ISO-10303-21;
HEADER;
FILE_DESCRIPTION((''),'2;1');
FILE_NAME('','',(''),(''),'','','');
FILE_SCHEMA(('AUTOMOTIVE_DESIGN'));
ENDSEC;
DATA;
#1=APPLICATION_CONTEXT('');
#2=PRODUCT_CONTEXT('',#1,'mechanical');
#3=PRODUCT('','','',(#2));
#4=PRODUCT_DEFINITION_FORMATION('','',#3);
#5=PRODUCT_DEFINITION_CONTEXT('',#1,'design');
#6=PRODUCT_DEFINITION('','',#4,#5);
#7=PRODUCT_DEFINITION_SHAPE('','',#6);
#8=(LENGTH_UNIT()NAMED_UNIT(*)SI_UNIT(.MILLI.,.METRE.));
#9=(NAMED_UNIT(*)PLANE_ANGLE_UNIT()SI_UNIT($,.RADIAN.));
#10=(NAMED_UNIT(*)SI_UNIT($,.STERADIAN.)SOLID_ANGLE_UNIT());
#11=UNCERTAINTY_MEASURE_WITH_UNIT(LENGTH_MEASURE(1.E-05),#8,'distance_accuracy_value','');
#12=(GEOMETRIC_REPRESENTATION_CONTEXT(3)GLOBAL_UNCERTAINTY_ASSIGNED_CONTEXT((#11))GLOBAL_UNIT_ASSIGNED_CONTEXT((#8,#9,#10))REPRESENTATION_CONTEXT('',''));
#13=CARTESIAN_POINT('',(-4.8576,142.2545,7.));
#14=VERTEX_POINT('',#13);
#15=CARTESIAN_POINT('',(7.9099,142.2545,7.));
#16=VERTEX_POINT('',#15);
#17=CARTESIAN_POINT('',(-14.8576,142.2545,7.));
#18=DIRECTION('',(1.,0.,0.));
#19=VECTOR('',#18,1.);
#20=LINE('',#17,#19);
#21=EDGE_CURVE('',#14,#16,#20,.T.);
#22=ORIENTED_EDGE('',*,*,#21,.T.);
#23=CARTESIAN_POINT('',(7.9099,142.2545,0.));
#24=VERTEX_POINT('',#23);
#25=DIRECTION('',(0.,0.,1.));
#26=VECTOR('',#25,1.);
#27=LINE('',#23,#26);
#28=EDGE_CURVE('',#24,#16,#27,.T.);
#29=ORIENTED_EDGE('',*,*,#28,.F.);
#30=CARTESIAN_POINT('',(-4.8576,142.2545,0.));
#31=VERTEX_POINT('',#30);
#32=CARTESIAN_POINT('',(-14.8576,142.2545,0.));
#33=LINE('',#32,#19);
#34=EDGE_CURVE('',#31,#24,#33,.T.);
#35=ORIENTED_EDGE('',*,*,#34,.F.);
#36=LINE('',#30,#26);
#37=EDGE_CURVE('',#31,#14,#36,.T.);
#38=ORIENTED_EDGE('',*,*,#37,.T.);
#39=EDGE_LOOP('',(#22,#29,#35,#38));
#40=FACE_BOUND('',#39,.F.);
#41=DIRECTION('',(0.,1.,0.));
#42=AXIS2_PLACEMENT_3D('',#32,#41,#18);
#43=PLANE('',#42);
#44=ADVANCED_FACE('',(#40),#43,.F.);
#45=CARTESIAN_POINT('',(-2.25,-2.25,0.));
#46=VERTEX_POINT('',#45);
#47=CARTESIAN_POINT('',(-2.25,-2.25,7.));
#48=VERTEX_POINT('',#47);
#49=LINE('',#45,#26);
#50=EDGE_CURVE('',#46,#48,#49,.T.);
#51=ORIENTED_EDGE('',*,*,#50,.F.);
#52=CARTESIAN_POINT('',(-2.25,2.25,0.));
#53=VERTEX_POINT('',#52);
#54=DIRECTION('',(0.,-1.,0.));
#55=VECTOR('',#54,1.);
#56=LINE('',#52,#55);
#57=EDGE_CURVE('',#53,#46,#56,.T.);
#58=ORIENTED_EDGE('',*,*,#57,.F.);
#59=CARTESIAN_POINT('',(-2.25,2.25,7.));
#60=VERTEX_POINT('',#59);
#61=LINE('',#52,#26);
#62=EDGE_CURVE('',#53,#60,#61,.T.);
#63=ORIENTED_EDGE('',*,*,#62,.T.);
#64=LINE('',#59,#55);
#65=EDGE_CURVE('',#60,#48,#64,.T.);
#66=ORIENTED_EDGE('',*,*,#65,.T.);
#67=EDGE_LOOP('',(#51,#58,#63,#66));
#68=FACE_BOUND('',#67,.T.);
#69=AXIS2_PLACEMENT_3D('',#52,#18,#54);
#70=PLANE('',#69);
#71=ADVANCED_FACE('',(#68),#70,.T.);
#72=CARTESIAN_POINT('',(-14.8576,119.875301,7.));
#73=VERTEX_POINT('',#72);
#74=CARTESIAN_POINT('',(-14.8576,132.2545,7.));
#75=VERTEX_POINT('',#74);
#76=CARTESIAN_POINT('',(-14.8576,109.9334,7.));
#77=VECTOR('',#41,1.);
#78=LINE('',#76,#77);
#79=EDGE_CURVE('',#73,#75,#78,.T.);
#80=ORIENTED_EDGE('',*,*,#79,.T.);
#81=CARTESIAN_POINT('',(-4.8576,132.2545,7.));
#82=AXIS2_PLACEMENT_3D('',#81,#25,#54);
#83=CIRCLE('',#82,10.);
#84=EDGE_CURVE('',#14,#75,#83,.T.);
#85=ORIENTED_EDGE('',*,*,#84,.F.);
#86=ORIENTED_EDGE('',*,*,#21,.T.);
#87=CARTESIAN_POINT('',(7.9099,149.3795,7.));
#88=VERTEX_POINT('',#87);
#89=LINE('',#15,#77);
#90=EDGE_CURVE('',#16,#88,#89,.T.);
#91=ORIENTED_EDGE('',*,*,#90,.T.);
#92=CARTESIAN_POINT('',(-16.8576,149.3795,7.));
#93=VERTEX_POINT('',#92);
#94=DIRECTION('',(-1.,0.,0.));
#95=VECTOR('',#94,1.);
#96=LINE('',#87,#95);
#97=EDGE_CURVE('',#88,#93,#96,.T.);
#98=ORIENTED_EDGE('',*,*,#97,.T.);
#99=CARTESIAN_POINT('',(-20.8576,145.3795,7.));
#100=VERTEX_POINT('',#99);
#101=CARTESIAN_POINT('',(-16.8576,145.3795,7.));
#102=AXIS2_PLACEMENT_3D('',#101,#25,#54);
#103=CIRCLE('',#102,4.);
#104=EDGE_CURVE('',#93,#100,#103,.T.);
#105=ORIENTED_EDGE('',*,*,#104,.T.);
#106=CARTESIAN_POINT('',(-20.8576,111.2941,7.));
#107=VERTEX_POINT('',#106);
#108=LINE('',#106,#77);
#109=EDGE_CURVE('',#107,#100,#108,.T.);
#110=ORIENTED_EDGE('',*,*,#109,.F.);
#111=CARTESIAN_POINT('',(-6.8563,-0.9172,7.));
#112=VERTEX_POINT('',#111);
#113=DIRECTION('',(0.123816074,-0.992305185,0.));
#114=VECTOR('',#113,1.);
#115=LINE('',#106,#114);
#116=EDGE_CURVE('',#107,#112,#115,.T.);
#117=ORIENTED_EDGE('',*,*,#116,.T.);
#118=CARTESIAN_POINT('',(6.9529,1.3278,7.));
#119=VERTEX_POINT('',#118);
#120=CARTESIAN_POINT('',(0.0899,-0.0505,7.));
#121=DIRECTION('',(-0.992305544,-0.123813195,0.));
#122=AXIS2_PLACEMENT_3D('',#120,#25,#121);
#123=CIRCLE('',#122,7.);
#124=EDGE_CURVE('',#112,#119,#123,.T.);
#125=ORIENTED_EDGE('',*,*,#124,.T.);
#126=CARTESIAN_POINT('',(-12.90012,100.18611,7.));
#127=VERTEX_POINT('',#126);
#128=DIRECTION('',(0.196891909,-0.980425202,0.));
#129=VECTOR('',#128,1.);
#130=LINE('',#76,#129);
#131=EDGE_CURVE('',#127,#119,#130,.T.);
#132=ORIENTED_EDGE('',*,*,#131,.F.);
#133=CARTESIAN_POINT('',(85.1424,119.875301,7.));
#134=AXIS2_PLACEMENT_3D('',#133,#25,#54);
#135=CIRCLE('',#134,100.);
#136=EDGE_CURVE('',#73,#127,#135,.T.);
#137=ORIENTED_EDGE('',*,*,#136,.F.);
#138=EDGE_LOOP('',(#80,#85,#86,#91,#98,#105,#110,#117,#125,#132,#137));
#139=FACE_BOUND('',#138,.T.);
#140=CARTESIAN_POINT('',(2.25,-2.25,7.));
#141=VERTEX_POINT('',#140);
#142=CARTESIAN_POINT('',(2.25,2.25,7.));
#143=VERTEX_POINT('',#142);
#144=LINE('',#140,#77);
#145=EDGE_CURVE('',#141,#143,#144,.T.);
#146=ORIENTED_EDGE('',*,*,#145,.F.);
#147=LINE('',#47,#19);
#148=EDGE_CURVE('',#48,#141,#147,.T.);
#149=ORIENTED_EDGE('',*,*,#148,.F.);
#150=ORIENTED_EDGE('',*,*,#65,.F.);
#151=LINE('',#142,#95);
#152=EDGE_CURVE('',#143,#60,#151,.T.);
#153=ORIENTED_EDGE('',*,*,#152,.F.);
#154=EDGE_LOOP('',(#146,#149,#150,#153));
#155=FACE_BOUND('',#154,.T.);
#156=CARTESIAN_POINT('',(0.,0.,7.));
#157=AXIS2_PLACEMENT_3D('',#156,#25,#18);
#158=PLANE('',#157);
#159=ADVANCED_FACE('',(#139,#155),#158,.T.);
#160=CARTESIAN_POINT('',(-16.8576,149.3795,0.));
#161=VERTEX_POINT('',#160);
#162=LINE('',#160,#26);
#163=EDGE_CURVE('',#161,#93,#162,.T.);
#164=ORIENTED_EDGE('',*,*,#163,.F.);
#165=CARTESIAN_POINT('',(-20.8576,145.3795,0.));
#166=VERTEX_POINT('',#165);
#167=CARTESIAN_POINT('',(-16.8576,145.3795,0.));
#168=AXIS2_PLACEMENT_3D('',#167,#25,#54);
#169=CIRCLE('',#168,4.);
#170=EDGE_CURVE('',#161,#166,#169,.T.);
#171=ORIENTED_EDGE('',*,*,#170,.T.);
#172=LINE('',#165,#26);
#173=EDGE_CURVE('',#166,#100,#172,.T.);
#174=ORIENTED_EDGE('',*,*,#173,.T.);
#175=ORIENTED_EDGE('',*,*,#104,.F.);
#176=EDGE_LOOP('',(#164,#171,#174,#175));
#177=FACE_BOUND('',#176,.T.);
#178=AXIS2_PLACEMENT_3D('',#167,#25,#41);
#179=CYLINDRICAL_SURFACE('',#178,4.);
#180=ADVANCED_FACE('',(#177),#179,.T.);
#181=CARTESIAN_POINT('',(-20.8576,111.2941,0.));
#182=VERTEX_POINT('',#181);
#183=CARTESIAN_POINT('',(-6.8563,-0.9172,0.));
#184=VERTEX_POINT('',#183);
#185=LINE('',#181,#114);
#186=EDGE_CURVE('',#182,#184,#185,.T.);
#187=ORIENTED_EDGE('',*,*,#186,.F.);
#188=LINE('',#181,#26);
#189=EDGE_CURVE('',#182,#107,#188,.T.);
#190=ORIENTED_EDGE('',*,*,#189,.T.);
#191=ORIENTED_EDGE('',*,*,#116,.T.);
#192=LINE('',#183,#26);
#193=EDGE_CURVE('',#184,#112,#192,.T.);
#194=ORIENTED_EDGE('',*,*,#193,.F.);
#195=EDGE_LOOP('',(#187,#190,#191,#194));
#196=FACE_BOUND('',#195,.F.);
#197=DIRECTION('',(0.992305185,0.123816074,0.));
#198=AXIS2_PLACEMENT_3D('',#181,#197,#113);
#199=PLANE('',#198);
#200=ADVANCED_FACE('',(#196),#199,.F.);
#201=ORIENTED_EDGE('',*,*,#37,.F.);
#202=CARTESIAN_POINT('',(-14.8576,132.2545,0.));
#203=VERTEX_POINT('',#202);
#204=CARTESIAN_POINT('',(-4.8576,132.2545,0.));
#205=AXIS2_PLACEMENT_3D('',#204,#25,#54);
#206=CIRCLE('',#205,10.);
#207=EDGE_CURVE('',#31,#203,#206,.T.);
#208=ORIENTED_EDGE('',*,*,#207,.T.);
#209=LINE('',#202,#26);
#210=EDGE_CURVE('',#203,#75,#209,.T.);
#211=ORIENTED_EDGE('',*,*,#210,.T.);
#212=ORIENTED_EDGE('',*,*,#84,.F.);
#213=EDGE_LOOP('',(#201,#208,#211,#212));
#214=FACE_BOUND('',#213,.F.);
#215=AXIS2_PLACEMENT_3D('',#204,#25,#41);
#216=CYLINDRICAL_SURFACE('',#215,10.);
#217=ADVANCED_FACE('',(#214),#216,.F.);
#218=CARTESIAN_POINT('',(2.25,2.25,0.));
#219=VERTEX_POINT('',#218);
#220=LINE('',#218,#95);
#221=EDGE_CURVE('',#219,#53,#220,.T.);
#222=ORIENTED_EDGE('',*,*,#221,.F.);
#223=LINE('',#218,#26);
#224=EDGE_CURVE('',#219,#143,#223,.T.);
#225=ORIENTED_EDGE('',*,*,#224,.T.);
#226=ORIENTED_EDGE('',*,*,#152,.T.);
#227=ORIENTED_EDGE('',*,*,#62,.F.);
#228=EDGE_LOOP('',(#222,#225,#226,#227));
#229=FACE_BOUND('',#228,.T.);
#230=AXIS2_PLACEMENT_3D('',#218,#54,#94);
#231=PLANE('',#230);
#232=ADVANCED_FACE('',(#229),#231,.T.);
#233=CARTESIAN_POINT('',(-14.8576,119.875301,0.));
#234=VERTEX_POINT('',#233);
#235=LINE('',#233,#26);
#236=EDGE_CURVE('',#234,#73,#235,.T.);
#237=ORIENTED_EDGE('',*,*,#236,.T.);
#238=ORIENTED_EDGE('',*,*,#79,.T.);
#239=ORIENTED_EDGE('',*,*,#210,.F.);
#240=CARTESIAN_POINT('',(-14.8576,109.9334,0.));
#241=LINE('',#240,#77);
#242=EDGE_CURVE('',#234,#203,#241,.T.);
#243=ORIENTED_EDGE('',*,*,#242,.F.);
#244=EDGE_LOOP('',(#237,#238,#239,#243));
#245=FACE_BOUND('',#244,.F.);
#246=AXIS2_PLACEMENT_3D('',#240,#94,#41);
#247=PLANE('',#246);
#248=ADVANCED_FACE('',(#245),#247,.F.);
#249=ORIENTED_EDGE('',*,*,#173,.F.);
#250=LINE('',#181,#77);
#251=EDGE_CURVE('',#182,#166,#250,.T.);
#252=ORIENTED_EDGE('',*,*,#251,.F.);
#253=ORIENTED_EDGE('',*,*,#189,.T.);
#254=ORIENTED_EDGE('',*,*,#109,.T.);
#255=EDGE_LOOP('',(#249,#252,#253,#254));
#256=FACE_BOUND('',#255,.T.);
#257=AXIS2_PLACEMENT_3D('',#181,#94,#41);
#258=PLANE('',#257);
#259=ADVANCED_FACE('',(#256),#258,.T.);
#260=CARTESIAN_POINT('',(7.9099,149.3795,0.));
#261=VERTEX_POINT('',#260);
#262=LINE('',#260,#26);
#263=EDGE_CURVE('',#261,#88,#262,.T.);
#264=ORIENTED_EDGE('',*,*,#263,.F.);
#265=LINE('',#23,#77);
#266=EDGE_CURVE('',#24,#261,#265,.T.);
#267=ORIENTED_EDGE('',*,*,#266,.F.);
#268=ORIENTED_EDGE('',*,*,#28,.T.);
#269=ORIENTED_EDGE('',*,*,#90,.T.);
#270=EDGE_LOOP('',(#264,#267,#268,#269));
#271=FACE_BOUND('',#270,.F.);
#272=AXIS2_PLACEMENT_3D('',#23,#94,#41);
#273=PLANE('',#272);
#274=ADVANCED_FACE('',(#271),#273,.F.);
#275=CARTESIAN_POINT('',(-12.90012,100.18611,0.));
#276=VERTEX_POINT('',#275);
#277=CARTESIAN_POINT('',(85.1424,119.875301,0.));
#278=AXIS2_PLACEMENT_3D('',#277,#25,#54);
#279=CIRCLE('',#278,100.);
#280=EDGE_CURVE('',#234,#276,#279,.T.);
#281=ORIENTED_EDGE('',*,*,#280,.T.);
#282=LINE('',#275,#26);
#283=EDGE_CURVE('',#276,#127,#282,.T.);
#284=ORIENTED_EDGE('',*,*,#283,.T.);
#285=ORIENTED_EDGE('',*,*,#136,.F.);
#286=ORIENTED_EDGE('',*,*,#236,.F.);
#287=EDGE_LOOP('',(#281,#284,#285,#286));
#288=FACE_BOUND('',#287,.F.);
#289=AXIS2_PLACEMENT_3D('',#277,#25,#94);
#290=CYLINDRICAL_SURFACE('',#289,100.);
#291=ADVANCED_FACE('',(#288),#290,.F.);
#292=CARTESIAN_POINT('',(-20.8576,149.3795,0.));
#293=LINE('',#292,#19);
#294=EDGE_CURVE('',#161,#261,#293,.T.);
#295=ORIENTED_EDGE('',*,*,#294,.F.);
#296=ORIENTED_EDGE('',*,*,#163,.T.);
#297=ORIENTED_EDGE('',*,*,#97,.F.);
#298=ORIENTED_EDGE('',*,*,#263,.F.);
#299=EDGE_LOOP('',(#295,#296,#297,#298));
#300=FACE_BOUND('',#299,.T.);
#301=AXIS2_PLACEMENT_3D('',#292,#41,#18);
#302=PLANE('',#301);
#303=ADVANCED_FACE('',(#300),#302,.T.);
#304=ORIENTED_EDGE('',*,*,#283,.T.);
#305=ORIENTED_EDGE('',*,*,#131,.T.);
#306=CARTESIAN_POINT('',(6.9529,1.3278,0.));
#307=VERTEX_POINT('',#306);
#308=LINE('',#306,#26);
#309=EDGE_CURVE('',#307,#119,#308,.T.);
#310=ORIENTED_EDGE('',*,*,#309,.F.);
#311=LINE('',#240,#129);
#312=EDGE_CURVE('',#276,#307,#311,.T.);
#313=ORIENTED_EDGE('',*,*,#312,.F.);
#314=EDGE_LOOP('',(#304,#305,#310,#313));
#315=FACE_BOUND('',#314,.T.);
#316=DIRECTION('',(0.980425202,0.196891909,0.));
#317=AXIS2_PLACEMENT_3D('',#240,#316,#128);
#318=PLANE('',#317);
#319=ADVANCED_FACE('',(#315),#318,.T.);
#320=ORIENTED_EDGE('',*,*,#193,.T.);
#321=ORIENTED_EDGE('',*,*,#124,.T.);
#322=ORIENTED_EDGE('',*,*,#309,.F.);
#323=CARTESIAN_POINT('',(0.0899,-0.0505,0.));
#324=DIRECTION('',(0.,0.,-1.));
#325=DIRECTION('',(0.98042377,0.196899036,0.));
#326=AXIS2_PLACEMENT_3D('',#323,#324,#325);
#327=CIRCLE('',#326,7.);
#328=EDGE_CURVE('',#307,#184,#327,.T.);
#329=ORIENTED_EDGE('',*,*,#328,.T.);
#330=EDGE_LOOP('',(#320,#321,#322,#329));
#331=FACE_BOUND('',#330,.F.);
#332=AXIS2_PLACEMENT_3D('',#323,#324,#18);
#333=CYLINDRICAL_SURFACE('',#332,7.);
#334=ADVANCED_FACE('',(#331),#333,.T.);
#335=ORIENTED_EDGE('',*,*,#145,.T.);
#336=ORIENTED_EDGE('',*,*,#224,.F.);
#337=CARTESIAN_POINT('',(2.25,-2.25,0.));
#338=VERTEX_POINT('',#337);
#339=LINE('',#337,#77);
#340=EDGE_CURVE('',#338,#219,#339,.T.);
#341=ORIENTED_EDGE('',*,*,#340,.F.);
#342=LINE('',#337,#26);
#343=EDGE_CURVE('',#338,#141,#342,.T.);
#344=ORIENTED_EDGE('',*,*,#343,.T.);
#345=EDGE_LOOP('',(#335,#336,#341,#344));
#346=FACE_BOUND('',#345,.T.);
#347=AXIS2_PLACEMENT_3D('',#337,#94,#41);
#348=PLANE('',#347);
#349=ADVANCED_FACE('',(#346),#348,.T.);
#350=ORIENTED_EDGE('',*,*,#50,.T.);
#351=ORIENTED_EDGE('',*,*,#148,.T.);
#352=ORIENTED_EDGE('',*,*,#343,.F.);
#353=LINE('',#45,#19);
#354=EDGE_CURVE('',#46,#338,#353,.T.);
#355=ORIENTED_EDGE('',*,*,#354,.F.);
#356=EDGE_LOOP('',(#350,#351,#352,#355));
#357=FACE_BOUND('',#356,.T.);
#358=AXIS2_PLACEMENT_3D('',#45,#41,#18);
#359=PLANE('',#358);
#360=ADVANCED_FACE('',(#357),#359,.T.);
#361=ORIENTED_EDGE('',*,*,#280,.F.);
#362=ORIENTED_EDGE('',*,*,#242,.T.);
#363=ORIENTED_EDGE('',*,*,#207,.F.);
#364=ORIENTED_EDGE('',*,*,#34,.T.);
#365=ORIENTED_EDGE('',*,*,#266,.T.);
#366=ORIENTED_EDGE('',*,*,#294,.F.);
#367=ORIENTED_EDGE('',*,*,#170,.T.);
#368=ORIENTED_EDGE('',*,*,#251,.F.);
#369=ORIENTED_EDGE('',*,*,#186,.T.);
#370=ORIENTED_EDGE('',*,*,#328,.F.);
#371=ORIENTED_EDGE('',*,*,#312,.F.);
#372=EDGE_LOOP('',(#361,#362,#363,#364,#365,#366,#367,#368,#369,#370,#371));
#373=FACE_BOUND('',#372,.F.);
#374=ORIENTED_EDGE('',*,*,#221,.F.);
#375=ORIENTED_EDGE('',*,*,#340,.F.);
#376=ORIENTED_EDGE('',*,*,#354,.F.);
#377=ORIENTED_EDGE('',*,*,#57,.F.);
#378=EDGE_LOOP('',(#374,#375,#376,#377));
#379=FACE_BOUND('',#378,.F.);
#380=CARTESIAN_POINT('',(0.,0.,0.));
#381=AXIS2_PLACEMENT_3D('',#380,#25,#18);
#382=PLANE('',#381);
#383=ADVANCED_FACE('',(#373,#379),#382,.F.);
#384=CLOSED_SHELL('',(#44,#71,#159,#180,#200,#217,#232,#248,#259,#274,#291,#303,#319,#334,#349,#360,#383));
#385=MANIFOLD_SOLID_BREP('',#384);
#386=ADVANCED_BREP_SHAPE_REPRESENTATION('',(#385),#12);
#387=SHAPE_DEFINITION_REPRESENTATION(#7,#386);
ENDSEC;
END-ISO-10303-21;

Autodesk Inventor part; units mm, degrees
ref_plane "YZ Plane" through (0, 0, 0) normal (1, 0, 0) x (0, 1, 0)
ref_plane "XZ Plane" through (0, 0, 0) normal (0, 1, 0) x (-1, 0, 0)
ref_plane "XY Plane" through (0, 0, 0) normal (0, 0, 1) x (1, 0, 0)
sketch "Эскиз1" plane through (0, 0, 0) normal (0, 0, 1) x (1, 0, 0)
  circle A0 centre (0.0899, -0.0505) radius 4 projected
  line L0 (-20.8576, 111.2941) -> (-20.8576, 149.3795)
  line L1 (-20.8576, 149.3795) -> (-6.2988, 149.3795)
  line L2 (7.9099, 149.3795) -> (-6.2988, 149.3795)
  line L3 (-14.8576, 142.2545) -> (7.9099, 142.2545)
  line L4 (-14.8576, 142.2545) -> (7.9099, 142.2545)
  line L5 (-14.8576, 109.9334) -> (-14.8576, 142.2545)
  circle A1 centre (0.0899, -0.0505) radius 7
  line L6 (-2.25, -2.25) -> (2.25, -2.25)
  line L7 (2.25, -2.25) -> (2.25, 2.25)
  line L8 (2.25, 2.25) -> (-2.25, 2.25)
  line L9 (-2.25, 2.25) -> (-2.25, -2.25)
  line L10 (-2.25, -2.25) -> (2.25, 2.25) construction
  line L11 (2.25, -2.25) -> (-2.25, 2.25) construction
  line L12 (7.9099, 142.2545) -> (7.9099, 149.3795)
  line L13 (-20.8576, 111.2941) -> (-6.8563, -0.9172)
  line L14 (-14.8576, 109.9334) -> (6.9529, 1.3278)
  point P0 (0, 0)
  dimension "d0" = 14
  dimension "d1" = 4.5
  dimension "d2" = 4.5
extrude "Выдавливание1" add sketch "Эскиз1" along normal blind 7 contours A0 | L0 L1 L2 L12 L3 L5 L14 A1 L13 | A1
fillet "Сопряжение1" radius 10 1 edges at (-14.8576, 142.2545, 3.5)
fillet "Сопряжение2" radius 4 1 edges at (-20.8576, 149.3795, 3.5)
fillet "Сопряжение3" radius 100 1 edges at (-14.8576, 109.9334, 3.5)
properties part number "Arm"
